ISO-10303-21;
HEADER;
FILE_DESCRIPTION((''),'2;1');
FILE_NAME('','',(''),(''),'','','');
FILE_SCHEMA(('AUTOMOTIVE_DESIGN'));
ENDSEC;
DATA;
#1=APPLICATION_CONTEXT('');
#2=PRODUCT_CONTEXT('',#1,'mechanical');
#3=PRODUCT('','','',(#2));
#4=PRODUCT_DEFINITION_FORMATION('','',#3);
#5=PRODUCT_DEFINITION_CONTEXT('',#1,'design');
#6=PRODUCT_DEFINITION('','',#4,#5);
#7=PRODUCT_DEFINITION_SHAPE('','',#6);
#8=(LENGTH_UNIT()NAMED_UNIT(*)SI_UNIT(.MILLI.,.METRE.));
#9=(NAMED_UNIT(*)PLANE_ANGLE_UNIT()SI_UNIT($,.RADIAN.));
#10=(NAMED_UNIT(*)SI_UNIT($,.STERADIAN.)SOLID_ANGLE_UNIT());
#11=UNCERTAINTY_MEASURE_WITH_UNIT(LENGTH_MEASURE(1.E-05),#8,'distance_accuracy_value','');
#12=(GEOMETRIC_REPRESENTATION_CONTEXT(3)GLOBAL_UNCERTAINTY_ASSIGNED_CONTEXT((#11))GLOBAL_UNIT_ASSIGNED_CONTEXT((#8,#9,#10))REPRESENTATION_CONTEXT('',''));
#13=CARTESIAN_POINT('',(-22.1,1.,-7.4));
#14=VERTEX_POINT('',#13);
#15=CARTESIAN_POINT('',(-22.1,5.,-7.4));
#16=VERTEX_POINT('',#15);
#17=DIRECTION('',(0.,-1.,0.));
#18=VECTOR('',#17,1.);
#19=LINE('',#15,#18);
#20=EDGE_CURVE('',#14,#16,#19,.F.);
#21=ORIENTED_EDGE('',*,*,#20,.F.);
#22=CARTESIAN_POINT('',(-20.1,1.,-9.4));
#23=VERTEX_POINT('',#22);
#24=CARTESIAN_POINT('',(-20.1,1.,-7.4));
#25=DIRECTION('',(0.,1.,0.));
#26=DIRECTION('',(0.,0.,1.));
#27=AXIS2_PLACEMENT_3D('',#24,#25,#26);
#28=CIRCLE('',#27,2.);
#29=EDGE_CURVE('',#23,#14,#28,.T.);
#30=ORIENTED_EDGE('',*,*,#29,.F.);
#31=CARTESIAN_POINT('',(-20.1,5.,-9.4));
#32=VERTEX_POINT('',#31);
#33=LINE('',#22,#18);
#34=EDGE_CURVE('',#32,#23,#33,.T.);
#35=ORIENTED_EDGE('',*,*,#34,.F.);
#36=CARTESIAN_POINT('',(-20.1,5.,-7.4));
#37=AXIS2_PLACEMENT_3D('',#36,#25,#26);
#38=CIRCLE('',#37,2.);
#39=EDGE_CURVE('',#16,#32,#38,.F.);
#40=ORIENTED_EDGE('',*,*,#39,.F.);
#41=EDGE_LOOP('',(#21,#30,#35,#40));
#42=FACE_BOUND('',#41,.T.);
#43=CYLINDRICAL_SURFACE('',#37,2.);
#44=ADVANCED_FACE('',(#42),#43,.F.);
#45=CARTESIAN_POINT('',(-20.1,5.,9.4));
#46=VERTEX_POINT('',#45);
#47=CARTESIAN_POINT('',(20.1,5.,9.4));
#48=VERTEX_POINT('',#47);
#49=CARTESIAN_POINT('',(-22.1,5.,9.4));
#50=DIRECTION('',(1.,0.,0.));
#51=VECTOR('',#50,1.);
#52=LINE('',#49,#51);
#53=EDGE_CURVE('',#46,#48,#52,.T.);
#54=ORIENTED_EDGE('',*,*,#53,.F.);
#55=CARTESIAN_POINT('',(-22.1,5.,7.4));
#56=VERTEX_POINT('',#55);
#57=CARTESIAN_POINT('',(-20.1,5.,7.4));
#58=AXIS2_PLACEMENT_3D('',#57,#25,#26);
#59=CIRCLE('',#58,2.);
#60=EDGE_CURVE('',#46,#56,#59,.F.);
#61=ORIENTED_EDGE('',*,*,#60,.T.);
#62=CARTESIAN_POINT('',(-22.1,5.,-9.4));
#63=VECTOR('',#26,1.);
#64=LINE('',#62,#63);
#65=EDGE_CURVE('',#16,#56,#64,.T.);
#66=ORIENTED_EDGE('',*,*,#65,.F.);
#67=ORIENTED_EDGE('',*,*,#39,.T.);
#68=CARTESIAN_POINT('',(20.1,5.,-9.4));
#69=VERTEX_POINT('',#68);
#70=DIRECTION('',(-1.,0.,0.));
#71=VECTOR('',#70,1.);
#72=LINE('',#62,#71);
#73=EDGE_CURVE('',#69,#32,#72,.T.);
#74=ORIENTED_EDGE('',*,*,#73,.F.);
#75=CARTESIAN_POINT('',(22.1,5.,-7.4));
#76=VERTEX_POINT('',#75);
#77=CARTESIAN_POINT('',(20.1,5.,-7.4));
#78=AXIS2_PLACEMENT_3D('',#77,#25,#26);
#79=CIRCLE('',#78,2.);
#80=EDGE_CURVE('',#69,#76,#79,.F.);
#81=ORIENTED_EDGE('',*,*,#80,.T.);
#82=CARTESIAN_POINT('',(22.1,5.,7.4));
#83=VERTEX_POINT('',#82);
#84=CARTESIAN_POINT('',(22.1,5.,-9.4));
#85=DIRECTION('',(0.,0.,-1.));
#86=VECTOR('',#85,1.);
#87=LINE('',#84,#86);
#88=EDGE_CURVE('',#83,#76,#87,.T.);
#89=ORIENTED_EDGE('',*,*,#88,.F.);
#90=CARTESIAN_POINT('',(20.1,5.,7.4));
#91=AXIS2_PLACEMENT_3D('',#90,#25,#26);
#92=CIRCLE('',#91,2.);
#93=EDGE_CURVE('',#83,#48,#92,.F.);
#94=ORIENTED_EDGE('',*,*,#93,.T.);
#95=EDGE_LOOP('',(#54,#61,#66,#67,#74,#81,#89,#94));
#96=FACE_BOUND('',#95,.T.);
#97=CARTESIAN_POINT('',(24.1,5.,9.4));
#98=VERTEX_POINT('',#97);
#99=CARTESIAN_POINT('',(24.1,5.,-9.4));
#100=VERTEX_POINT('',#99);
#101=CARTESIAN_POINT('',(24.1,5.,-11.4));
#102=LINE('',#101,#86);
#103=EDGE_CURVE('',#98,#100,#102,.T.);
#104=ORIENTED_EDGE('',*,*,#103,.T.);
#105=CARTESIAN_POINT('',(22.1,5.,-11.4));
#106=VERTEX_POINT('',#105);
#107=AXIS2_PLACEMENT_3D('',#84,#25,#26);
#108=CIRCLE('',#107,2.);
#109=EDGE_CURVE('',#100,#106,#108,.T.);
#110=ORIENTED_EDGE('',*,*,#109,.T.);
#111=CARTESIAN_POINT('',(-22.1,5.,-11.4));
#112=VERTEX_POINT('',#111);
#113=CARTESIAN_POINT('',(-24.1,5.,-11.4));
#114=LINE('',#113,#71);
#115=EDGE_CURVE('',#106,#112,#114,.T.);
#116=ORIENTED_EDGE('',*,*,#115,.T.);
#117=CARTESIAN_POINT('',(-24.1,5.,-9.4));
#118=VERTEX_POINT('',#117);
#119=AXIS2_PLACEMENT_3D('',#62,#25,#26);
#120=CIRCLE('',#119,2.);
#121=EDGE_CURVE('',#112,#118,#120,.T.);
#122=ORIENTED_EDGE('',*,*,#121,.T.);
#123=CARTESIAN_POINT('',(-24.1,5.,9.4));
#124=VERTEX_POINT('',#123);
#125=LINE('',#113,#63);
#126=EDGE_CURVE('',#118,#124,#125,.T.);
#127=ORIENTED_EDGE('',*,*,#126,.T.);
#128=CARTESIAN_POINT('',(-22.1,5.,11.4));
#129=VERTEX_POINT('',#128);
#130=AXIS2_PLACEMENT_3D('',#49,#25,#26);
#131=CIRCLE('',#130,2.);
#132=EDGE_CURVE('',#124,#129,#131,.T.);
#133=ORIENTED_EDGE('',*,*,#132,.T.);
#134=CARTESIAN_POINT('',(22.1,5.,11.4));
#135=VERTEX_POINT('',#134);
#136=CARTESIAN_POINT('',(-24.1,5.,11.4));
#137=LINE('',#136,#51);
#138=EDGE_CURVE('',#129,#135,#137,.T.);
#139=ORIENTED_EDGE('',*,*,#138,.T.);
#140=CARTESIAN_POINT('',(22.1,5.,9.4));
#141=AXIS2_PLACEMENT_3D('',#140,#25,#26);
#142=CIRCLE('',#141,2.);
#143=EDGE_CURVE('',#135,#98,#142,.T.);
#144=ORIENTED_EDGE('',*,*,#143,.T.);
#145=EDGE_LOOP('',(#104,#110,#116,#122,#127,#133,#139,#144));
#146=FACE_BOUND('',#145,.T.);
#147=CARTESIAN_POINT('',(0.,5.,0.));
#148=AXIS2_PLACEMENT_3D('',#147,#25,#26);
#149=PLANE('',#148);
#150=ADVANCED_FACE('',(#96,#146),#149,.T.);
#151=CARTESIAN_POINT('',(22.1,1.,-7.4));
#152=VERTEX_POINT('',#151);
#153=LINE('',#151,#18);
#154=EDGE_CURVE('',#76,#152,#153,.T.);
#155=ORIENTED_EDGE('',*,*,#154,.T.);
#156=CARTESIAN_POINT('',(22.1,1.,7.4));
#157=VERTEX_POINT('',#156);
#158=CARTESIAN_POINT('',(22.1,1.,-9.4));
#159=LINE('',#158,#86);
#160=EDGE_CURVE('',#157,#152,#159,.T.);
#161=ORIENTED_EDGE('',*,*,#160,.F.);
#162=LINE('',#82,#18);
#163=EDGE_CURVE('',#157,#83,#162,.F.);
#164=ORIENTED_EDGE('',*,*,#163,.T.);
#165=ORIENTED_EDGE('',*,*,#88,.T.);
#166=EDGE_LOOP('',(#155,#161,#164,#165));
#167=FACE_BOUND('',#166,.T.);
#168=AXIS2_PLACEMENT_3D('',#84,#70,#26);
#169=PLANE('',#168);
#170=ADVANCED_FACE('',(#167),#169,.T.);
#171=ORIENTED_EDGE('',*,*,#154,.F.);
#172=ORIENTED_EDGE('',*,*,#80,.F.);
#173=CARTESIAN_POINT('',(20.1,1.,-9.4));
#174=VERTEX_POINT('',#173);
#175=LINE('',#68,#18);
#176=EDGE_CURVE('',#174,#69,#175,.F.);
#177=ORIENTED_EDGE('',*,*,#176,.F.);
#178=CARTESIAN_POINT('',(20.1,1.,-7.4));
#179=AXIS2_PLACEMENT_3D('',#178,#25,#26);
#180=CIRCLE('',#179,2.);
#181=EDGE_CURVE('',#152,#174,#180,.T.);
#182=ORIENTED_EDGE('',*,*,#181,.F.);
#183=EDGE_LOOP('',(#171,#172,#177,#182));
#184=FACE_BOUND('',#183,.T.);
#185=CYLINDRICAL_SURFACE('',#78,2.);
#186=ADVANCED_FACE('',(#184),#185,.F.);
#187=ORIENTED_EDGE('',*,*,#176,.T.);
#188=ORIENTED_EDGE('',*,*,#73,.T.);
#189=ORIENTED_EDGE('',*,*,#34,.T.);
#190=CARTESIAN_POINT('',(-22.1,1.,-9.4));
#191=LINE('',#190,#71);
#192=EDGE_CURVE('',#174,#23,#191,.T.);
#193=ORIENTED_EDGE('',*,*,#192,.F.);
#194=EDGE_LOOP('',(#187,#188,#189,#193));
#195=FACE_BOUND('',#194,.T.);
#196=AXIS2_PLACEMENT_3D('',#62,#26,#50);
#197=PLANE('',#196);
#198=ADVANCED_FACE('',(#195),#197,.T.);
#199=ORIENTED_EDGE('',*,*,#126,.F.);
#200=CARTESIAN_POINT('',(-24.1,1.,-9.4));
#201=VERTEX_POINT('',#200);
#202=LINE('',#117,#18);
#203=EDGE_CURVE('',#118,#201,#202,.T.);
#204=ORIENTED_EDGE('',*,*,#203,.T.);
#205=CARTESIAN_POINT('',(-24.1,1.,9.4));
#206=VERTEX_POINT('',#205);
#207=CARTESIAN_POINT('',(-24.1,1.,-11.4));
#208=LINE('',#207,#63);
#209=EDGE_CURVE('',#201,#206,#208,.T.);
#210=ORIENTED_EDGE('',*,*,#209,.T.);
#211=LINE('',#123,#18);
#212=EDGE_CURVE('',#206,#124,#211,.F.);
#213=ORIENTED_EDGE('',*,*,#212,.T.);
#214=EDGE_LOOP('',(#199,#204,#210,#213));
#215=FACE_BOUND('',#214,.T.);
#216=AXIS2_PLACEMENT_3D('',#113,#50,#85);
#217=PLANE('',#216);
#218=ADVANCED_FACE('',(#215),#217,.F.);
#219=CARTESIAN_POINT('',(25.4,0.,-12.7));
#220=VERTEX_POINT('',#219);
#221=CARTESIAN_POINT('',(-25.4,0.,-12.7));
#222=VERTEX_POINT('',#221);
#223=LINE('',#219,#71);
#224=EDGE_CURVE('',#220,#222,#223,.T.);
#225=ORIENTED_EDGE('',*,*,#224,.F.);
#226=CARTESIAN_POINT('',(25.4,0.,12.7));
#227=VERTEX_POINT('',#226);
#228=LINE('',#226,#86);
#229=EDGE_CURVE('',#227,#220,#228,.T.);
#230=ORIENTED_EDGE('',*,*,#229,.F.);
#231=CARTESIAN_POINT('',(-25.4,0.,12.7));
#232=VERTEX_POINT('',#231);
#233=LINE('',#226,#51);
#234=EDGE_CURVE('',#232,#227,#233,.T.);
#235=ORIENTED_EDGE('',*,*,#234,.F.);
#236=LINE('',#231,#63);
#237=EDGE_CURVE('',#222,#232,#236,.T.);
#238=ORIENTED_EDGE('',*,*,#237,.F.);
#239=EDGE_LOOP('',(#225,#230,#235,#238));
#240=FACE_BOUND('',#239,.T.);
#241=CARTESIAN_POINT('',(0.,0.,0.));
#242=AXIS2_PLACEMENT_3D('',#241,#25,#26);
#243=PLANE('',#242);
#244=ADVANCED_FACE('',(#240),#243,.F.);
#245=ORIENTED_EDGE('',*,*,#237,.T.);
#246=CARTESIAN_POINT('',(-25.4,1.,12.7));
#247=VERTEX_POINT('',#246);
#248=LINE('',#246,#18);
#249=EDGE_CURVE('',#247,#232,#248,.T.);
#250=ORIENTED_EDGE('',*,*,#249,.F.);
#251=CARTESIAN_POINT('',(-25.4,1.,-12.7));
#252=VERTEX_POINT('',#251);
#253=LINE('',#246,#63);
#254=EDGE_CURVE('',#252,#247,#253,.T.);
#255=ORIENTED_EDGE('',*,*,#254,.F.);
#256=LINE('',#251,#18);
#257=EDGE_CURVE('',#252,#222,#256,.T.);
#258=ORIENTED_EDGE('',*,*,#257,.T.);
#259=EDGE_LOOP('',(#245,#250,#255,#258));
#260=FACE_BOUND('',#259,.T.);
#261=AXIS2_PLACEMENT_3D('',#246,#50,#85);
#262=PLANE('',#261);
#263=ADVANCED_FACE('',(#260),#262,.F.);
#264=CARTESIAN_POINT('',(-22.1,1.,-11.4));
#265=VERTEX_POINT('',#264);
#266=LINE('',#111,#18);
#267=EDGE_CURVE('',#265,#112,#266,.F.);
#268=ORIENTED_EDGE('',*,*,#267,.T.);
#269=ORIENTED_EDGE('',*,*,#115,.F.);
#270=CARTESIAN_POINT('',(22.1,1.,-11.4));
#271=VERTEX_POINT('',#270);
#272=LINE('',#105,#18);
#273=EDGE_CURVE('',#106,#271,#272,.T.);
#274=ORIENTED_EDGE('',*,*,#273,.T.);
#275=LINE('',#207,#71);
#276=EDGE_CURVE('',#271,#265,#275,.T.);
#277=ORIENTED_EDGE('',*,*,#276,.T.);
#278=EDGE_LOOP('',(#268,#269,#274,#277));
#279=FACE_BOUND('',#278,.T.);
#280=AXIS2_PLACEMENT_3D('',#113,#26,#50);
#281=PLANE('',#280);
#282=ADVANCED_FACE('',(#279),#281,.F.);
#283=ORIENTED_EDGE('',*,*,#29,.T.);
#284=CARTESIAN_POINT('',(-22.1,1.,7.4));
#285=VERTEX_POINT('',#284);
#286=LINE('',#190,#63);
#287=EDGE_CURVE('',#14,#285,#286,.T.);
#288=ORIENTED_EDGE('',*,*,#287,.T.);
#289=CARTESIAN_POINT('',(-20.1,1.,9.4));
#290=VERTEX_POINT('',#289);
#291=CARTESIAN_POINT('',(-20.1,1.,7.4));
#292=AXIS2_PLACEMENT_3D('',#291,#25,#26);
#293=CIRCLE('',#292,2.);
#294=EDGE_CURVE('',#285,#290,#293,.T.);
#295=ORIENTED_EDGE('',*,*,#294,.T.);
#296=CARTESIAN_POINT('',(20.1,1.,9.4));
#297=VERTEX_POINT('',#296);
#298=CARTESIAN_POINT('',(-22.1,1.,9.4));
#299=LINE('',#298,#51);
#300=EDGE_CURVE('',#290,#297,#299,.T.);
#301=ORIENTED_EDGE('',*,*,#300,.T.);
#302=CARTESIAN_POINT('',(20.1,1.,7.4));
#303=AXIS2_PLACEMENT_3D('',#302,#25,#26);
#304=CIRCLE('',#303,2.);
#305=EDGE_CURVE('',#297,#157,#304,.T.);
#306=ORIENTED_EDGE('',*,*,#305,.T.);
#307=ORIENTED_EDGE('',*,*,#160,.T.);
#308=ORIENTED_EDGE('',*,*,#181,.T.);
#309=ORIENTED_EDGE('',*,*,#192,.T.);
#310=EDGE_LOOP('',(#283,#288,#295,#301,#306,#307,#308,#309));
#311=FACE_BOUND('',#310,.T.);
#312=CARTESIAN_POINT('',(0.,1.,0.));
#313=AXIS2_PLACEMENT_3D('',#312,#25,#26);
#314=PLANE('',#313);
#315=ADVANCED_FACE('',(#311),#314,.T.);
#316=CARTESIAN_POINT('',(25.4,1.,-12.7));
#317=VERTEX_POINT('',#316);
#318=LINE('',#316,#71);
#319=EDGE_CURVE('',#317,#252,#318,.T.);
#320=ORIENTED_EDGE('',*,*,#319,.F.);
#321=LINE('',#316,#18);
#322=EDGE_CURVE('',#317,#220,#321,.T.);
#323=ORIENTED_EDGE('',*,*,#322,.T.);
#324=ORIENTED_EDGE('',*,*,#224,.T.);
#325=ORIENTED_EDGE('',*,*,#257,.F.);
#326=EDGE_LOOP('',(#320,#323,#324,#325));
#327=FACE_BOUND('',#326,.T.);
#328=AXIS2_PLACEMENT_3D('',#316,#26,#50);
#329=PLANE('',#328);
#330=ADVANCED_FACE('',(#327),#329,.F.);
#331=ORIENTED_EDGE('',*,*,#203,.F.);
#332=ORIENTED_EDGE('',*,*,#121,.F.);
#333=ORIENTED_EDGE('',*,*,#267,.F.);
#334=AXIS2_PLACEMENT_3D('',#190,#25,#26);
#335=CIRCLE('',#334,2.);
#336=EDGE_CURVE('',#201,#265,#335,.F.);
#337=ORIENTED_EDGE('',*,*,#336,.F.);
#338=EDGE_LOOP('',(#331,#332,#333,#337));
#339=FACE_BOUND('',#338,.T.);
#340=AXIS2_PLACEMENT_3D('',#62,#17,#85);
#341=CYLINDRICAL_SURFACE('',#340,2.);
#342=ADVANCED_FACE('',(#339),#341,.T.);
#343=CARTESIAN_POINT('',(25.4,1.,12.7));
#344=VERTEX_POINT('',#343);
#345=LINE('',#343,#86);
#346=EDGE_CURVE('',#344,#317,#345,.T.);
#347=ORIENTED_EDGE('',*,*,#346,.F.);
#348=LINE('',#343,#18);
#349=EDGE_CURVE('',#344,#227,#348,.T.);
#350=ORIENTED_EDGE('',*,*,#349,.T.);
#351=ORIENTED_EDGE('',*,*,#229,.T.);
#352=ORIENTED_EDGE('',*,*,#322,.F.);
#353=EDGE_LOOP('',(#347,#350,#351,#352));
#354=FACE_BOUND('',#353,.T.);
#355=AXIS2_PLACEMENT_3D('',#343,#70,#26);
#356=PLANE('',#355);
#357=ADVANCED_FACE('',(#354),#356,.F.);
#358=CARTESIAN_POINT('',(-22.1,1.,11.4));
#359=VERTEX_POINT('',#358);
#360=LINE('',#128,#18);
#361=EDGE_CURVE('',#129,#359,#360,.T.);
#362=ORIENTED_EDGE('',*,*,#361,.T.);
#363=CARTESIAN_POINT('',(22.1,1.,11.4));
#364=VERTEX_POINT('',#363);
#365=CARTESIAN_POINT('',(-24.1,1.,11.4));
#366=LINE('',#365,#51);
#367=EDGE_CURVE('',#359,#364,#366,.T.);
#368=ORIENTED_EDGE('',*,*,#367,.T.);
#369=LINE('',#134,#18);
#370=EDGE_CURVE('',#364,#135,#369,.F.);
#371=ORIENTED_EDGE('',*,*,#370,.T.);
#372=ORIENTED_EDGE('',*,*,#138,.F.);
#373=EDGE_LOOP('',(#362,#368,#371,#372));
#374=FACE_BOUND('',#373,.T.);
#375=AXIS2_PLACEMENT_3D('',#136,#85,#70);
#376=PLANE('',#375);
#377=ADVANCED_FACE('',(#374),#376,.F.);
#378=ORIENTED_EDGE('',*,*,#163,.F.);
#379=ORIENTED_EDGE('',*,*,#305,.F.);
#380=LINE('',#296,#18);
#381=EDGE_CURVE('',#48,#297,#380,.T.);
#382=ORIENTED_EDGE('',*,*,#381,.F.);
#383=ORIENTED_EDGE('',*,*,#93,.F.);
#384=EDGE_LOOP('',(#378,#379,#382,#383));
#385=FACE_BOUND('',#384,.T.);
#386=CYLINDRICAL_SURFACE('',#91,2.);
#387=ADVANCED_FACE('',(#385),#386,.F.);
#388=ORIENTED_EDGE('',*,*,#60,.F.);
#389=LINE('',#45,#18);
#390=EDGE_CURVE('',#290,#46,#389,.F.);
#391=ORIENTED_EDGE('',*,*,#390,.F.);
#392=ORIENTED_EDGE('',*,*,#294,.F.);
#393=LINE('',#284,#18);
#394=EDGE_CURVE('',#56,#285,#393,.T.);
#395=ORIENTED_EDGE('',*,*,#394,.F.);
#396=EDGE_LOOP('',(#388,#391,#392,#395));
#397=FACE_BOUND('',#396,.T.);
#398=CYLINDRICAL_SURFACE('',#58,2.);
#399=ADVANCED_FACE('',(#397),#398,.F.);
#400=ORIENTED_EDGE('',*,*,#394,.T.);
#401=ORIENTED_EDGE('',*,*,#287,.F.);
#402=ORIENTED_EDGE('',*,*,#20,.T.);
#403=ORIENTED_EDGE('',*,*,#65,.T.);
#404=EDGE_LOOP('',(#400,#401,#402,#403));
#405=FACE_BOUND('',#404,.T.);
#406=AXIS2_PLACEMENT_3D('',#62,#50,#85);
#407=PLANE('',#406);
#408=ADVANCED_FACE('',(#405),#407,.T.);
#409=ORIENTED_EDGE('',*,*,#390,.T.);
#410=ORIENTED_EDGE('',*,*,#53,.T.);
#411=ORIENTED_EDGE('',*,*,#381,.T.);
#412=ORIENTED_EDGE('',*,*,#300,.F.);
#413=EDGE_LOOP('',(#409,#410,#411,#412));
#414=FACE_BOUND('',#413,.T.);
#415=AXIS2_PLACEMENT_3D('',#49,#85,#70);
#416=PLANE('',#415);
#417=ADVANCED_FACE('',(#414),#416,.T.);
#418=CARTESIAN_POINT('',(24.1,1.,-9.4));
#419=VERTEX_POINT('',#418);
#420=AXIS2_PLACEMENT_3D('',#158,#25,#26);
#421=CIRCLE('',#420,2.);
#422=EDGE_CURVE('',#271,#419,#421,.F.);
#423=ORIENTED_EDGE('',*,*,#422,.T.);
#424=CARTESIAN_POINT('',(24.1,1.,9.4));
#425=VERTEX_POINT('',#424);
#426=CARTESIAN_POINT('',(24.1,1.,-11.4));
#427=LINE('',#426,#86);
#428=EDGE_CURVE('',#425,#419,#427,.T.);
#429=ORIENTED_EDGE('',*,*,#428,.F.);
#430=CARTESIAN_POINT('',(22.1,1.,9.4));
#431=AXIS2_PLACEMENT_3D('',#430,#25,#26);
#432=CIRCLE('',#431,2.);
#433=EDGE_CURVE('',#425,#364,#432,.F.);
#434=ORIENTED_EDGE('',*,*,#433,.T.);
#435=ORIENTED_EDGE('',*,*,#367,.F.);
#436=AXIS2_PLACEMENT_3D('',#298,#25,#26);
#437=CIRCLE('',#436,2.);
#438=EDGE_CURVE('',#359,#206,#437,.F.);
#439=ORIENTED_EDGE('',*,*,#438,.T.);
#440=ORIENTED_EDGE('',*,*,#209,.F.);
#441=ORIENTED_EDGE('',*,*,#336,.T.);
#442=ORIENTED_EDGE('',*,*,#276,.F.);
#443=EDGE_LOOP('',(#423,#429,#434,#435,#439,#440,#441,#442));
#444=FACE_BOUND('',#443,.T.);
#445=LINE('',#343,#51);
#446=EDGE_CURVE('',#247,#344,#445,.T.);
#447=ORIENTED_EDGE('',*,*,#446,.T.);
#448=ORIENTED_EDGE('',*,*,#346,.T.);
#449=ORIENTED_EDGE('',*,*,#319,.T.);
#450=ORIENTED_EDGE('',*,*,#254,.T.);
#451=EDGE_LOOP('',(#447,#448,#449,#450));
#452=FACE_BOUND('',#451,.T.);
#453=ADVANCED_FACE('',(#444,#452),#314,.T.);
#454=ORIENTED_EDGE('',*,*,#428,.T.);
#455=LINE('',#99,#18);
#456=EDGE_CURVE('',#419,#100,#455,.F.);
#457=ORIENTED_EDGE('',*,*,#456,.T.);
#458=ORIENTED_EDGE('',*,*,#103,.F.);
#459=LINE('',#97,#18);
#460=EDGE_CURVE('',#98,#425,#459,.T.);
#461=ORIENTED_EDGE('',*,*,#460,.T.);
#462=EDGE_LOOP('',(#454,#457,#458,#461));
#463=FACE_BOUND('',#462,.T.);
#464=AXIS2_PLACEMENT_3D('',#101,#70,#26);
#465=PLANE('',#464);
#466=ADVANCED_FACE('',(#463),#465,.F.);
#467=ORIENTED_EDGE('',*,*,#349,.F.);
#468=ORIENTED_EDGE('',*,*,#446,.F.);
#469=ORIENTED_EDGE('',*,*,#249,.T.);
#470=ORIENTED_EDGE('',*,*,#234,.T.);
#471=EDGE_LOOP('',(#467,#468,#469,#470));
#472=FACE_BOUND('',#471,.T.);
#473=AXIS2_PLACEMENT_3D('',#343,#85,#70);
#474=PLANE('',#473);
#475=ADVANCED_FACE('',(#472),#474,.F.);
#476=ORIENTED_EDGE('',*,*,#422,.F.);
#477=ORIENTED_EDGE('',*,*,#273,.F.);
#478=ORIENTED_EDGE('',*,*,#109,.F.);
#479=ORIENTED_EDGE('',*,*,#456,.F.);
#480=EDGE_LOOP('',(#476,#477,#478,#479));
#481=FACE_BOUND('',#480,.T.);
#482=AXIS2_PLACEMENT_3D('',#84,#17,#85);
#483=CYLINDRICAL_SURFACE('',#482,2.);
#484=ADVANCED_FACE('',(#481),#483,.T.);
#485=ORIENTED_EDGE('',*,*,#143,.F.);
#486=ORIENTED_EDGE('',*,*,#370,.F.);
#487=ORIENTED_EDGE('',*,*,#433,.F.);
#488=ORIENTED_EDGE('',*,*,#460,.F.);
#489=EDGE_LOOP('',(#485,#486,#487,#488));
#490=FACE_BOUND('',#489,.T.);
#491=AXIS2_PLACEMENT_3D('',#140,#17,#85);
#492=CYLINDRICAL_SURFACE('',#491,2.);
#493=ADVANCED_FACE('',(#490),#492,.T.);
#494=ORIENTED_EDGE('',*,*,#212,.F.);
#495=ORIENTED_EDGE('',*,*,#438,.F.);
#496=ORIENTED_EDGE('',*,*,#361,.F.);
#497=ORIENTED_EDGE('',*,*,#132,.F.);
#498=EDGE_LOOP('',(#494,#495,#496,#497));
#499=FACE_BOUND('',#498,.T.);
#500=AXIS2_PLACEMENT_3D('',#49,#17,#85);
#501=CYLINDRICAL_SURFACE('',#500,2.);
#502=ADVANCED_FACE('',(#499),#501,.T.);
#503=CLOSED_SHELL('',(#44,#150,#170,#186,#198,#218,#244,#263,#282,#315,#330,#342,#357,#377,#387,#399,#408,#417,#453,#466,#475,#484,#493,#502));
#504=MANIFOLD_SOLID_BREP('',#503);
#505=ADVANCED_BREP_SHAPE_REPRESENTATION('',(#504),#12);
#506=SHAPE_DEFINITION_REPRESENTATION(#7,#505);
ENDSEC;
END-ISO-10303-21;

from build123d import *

# Parameters (mm, degrees)
SKETCH1_W           = 50.8
SKETCH1_H           = 25.4
BOSS_EXTRUDE1_DEPTH = 1
SKETCH2_W           = 48.2
SKETCH2_H           = 22.8
SKETCH2_W_2         = 44.2
SKETCH2_H_2         = 18.8
BOSS_EXTRUDE2_DEPTH = 4
FILLET1_R           = 2


with BuildPart() as part:
    # Sketch1 → Boss-Extrude1 (new body)
    with BuildSketch(Plane(origin=(0, 0, 0), x_dir=(1, 0, 0), z_dir=(0, 1, 0))):
        Rectangle(SKETCH1_W, SKETCH1_H)
    extrude(amount=BOSS_EXTRUDE1_DEPTH)

    # Sketch2 → Boss-Extrude2 (add)
    with BuildSketch(Plane(origin=(0, 1, 0), x_dir=(1, 0, 0), z_dir=(0, 1, 0))):
        Rectangle(SKETCH2_W, SKETCH2_H)
        Rectangle(SKETCH2_W_2, SKETCH2_H_2, mode=Mode.SUBTRACT)
    extrude(amount=BOSS_EXTRUDE2_DEPTH)

    # Fillet1
    fillet1_edges = [part.edges().sort_by_distance(p)[0] for p in [
        (24.1, 3, 11.4),
        (24.1, 3, -11.4),
        (-24.1, 3, -11.4),
        (-24.1, 3, 11.4),
        (-22.1, 3, -9.4),
        (-22.1, 3, 9.4),
        (22.1, 3, 9.4),
        (22.1, 3, -9.4),
    ]]
    fillet(fillet1_edges, radius=FILLET1_R)


solid = part.part
